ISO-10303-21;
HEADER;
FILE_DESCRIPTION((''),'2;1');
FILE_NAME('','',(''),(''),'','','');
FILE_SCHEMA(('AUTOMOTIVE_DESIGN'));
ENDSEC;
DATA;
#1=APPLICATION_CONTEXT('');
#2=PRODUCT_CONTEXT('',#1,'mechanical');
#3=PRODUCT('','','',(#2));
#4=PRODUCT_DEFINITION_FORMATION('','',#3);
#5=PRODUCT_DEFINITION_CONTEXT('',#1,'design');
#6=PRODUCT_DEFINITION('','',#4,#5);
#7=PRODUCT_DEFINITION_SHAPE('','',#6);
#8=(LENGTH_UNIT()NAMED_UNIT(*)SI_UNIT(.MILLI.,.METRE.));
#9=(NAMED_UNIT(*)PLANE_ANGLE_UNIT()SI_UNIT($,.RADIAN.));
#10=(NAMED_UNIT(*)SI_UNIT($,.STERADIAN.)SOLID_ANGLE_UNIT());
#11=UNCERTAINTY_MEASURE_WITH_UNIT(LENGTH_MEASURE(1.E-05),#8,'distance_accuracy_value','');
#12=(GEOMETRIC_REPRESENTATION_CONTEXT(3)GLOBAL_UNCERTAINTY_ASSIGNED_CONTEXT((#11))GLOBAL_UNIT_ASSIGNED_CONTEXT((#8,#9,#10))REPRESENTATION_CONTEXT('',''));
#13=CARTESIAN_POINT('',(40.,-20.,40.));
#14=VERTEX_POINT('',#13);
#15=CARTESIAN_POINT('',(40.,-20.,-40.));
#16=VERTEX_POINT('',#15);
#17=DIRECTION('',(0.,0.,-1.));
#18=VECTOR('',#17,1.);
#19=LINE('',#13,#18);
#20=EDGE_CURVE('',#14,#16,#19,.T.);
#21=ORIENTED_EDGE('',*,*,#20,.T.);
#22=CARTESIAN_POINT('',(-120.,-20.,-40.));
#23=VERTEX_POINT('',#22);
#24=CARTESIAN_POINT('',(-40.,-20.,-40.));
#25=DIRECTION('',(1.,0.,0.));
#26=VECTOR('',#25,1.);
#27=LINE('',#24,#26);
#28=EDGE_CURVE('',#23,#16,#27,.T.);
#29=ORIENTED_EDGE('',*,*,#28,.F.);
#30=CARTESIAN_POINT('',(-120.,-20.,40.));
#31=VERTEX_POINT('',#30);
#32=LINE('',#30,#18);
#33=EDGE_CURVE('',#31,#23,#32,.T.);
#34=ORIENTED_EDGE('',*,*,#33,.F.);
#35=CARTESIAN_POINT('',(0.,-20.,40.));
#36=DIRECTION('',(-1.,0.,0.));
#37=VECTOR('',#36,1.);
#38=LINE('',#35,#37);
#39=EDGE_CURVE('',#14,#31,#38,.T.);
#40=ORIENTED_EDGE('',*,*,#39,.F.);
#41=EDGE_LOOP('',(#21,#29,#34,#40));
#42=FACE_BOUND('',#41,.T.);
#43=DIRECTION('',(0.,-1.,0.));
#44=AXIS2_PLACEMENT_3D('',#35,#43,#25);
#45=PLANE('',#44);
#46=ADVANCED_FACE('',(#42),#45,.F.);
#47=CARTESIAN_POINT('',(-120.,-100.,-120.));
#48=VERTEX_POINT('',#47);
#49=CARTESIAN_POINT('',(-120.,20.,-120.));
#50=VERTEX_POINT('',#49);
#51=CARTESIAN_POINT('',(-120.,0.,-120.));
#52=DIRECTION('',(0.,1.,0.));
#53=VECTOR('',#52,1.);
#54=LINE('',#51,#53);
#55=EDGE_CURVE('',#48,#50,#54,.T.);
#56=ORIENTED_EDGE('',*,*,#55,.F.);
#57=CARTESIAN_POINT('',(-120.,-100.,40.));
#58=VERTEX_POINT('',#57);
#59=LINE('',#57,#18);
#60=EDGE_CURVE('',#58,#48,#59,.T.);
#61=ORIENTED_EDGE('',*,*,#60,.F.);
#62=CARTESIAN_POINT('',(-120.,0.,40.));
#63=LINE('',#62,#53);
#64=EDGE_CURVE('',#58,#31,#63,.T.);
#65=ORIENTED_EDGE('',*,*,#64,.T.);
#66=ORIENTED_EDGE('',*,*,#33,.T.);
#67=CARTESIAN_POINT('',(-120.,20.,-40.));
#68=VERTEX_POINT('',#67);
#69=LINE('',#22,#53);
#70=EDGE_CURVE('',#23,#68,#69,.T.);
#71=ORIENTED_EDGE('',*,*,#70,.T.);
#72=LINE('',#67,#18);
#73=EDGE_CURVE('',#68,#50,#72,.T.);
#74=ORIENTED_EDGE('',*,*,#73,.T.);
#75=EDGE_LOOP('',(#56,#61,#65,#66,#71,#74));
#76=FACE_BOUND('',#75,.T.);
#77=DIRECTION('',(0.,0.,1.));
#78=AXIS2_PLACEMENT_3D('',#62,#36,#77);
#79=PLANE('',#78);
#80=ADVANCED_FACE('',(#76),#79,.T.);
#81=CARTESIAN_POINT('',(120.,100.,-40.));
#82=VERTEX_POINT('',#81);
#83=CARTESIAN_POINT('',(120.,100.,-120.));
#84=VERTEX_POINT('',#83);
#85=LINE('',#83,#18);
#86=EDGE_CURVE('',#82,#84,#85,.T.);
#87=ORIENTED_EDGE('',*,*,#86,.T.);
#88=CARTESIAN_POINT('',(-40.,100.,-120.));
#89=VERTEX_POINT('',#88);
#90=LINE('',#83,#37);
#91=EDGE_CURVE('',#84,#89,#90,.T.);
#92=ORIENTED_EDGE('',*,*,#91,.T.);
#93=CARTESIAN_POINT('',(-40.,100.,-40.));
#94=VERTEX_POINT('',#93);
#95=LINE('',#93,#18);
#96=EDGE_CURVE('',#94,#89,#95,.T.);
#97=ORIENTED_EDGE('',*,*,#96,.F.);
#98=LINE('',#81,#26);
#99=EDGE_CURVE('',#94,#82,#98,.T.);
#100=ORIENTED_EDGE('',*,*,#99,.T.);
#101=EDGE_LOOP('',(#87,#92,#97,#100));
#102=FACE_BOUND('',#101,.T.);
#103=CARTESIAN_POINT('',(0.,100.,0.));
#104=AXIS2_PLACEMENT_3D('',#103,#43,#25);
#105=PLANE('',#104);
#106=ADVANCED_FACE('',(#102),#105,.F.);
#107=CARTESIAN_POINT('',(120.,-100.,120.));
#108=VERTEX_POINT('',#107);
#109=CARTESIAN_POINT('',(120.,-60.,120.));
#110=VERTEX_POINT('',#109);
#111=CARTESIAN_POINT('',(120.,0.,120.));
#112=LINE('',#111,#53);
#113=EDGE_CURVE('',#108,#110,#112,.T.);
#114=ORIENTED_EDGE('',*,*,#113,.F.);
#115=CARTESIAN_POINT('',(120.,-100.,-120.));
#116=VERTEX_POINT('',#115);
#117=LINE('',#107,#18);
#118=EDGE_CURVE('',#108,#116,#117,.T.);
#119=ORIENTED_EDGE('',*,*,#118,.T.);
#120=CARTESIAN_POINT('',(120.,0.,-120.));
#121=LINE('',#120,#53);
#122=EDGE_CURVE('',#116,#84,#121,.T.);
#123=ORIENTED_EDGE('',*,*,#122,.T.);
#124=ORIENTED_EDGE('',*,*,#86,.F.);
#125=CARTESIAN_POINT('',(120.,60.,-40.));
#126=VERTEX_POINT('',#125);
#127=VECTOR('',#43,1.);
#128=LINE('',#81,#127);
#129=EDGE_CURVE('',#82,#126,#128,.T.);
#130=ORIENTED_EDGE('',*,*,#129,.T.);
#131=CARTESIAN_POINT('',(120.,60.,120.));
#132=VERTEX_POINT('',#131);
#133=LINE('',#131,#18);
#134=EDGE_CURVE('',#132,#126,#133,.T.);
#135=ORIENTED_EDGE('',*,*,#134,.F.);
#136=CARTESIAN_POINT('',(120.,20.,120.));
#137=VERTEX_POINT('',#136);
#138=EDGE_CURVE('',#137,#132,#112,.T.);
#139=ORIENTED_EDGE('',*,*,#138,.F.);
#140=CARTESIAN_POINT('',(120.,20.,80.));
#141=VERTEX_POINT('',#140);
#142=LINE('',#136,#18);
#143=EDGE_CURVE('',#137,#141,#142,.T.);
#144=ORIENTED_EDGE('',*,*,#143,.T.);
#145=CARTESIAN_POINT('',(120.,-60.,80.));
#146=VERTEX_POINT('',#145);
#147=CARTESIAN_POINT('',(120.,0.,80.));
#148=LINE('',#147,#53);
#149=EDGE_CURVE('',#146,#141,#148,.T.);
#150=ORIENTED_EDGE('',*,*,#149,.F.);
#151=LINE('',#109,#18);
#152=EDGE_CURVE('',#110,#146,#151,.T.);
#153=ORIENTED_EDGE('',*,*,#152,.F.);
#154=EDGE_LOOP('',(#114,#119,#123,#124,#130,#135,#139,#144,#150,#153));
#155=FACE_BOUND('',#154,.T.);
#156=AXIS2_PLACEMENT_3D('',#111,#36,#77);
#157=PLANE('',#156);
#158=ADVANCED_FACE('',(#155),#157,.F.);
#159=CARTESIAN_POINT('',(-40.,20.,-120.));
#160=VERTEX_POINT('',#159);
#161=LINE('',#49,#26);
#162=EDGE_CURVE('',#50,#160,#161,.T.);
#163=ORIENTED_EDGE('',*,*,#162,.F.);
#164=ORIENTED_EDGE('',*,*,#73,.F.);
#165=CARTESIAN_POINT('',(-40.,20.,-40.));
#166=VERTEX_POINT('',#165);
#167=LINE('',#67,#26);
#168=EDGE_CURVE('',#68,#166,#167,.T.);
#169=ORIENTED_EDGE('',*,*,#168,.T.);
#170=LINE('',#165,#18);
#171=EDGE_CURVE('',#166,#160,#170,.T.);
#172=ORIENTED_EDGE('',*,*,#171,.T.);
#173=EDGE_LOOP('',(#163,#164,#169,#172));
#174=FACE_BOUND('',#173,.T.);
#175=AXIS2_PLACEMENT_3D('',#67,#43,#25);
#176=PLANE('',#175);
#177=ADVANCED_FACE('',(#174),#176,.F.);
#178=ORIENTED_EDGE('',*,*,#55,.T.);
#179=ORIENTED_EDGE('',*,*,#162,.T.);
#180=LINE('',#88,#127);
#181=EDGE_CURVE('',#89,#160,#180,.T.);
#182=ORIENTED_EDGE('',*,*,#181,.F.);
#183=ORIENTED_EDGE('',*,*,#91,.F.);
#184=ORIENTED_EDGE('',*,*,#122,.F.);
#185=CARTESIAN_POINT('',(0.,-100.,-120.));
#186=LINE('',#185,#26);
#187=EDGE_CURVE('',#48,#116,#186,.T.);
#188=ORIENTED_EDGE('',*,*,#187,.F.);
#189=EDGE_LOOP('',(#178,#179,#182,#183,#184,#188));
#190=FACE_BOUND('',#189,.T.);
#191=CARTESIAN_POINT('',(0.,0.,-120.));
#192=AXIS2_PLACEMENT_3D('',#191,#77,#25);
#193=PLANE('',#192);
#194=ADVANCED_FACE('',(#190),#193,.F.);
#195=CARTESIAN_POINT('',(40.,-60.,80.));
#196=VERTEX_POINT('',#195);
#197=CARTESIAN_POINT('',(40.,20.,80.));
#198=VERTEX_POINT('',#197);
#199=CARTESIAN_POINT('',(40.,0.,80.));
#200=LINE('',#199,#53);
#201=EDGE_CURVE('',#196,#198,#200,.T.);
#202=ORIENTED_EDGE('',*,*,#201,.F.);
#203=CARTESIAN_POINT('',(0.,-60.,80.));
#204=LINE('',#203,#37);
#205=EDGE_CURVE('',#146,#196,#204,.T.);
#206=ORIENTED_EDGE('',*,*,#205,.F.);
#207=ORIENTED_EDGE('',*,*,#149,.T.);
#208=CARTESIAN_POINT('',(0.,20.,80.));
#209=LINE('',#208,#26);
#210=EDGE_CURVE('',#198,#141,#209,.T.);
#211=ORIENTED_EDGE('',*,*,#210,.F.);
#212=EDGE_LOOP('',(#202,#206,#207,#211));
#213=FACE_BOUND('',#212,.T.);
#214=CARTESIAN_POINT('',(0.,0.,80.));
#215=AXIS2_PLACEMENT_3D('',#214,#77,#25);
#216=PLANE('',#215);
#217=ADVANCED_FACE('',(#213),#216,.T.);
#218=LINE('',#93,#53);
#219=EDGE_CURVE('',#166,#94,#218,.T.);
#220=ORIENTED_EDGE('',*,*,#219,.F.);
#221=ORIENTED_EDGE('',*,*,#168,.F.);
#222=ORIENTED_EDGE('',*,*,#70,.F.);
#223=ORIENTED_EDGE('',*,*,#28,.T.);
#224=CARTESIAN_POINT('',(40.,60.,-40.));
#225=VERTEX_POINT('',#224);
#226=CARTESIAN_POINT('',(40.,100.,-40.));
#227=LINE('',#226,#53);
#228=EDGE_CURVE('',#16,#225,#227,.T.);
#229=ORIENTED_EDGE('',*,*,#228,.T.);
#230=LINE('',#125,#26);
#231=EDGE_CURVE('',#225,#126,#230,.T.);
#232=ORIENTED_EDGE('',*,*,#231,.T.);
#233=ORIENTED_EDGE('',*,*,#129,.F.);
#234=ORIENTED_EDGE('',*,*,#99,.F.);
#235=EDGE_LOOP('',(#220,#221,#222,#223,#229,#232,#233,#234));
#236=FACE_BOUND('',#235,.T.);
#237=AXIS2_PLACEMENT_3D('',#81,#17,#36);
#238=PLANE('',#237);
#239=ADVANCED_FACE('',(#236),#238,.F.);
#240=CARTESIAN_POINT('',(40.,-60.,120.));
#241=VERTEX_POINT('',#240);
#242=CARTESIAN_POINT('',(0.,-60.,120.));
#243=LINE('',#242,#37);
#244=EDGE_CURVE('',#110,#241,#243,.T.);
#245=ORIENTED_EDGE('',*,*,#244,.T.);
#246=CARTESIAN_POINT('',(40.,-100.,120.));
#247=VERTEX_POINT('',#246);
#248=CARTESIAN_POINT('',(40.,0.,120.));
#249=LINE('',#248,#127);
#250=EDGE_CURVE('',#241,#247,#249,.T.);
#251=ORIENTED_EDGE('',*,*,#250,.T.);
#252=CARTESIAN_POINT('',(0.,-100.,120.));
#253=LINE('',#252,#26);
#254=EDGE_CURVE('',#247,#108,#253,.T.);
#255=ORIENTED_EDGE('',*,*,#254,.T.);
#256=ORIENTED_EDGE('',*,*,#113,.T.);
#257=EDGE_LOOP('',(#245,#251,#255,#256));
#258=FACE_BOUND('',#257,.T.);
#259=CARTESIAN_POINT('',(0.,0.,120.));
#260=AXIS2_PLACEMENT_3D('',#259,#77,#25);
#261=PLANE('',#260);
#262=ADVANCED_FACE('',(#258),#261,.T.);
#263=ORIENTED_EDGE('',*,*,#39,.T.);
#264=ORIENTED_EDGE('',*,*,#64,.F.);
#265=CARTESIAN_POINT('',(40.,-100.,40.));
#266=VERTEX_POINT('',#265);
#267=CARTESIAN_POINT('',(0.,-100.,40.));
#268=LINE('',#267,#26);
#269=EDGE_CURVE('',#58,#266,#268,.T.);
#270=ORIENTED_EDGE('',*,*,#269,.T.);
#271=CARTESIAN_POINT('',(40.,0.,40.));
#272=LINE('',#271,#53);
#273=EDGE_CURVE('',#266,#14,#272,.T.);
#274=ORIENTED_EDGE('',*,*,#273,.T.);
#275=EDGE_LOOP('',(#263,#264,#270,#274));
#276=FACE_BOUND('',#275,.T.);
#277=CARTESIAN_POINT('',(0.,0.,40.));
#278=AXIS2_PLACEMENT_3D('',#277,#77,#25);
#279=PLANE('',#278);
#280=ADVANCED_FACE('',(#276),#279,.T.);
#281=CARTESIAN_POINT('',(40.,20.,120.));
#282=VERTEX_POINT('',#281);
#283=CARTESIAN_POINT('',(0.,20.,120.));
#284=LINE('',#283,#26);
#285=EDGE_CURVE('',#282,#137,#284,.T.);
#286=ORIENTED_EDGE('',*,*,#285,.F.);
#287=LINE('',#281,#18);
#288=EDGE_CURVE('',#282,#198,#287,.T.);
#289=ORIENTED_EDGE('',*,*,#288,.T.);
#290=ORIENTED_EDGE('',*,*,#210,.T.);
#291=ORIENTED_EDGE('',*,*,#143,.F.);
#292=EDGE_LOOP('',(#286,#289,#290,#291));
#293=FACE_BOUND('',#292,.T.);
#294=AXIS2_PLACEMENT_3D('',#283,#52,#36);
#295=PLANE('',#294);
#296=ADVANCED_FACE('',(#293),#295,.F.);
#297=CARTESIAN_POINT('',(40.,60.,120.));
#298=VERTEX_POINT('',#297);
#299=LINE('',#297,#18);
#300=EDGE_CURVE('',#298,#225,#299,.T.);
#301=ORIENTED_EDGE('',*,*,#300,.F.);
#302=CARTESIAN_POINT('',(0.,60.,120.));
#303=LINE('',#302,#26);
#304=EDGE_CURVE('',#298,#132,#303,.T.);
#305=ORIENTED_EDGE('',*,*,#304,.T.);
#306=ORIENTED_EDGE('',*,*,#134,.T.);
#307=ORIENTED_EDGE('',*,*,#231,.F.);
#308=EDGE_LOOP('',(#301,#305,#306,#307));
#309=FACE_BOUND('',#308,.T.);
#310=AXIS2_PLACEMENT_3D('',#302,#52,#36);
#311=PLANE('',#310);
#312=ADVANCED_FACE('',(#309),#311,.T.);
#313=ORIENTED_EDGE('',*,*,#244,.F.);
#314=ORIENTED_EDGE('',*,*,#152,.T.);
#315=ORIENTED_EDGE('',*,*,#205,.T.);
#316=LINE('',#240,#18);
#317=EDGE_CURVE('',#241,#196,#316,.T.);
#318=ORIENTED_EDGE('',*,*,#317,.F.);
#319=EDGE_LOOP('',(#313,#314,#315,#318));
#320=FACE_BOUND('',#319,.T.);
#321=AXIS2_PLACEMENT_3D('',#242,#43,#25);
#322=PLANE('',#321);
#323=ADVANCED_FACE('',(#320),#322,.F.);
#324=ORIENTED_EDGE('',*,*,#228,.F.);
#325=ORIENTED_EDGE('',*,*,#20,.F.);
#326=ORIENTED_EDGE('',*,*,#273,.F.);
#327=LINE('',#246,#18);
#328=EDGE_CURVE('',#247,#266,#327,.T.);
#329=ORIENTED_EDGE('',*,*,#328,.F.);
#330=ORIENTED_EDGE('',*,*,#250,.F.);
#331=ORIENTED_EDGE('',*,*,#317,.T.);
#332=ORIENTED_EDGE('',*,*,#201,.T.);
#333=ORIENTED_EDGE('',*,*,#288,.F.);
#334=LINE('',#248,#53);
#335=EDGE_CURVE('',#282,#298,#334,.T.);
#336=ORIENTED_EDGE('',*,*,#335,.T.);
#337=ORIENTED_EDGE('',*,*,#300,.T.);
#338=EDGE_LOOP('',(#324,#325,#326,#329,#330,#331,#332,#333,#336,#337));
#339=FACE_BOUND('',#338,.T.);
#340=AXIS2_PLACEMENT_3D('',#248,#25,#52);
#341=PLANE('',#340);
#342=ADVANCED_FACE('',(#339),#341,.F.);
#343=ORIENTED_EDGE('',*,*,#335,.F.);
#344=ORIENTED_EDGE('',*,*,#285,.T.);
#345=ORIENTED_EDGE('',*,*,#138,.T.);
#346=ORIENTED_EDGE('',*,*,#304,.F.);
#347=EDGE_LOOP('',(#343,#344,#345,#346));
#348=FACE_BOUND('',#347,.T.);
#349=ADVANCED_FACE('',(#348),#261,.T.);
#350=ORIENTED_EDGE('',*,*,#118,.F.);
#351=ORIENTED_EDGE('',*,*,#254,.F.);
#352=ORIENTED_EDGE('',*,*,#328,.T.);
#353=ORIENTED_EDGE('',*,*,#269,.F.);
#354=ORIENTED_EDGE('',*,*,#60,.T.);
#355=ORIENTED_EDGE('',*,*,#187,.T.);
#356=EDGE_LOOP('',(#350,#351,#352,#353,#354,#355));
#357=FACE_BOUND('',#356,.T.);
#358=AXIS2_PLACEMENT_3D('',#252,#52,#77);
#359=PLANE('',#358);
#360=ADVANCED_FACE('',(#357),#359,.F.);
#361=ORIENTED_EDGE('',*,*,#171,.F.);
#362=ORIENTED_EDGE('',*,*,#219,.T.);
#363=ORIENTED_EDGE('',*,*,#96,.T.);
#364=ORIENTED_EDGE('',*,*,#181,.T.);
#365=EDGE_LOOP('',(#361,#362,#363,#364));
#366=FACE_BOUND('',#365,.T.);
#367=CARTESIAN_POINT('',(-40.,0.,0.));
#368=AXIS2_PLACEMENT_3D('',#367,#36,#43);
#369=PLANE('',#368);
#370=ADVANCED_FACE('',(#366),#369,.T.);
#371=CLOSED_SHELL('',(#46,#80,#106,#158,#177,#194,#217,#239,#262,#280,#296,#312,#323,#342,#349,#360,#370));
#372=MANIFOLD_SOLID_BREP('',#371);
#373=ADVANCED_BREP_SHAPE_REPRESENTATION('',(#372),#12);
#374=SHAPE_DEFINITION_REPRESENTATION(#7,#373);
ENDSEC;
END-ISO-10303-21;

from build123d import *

# Parameters (mm, degrees)
SKETCH1_W            = 80
SKETCH1_H            = 40
BOSS_EXTRUDE1_DEPTH  = 120
BOSS_EXTRUDE2_DEPTH  = 40
BOSS_EXTRUDE3_DEPTH  = 80
SKETCH1_5_W          = 80
SKETCH1_5_H          = 40
BOSS_EXTRUDE4_DEPTH  = 120
SKETCH1_6_W          = 80
SKETCH1_6_H          = 40
BOSS_EXTRUDE5_DEPTH  = 120
BOSS_EXTRUDE6_DEPTH  = 120
SKETCH1_8_W          = 80
SKETCH1_8_H          = 40
BOSS_EXTRUDE7_DEPTH  = 120
BOSS_EXTRUDE8_DEPTH  = 120
SKETCH2_W            = 80
SKETCH2_H            = 80
BOSS_EXTRUDE9_DEPTH  = 40
SKETCH3_W            = 80
SKETCH3_H            = 120
BOSS_EXTRUDE10_DEPTH = 80
SKETCH4_W            = 80
SKETCH4_H            = 40
BOSS_EXTRUDE11_DEPTH = 80


with BuildPart() as part:
    # Sketch1 → Boss-Extrude1 (new body)
    with BuildSketch(Plane.XY):
        with Locations((80, -80)):
            Rectangle(SKETCH1_W, SKETCH1_H)
    extrude(amount=BOSS_EXTRUDE1_DEPTH)

    # Sketch1<3> → Boss-Extrude2 (add)
    with BuildSketch(Plane.XY):
        Polygon((40, -100), (40, -60), (40, -20), (-120, -20), (-120, -100), align=None)
    extrude(amount=BOSS_EXTRUDE2_DEPTH)

    # Sketch1<4> → Boss-Extrude3 (add)
    with BuildSketch(Plane.XY):
        Polygon((40, -60), (120, -60), (120, 20), (40, 20), (40, -20), align=None)
    extrude(amount=BOSS_EXTRUDE3_DEPTH)

    # Sketch1<5> → Boss-Extrude4 (add)
    with BuildSketch(Plane.XY):
        with Locations((80, 40)):
            Rectangle(SKETCH1_5_W, SKETCH1_5_H)
    extrude(amount=BOSS_EXTRUDE4_DEPTH)

    # Sketch1<6> → Boss-Extrude5 (add)
    with BuildSketch(Plane.XY):
        with Locations((80, 40)):
            Rectangle(SKETCH1_6_W, SKETCH1_6_H)
    extrude(amount=-BOSS_EXTRUDE5_DEPTH)

    # Sketch1<7> → Boss-Extrude6 (add)
    with BuildSketch(Plane.XY):
        Polygon((40, -60), (120, -60), (120, 20), (40, 20), (40, -20), align=None)
    extrude(amount=-BOSS_EXTRUDE6_DEPTH)

    # Sketch1<8> → Boss-Extrude7 (add)
    with BuildSketch(Plane.XY):
        with Locations((80, -80)):
            Rectangle(SKETCH1_8_W, SKETCH1_8_H)
    extrude(amount=-BOSS_EXTRUDE7_DEPTH)

    # Sketch1<9> → Boss-Extrude8 (add)
    with BuildSketch(Plane.XY):
        Polygon((40, -100), (40, -60), (40, -20), (-120, -20), (-120, -100), align=None)
    extrude(amount=-BOSS_EXTRUDE8_DEPTH)

    # Sketch2 → Boss-Extrude9 (add)
    with BuildSketch(Plane(origin=(0, 60, 0), x_dir=(1, 0, 0), z_dir=(0, 1, 0))):
        with Locations((80, 80)):
            Rectangle(SKETCH2_W, SKETCH2_H)
    extrude(amount=BOSS_EXTRUDE9_DEPTH)

    # Sketch3 → Boss-Extrude10 (add)
    with BuildSketch(Plane.ZY.offset(-40)):
        with Locations((-80, 40)):
            Rectangle(SKETCH3_W, SKETCH3_H)
    extrude(amount=BOSS_EXTRUDE10_DEPTH)

    # Sketch4 → Boss-Extrude11 (add)
    with BuildSketch(Plane.ZY.offset(40)):
        with Locations((-80, 0)):
            Rectangle(SKETCH4_W, SKETCH4_H)
    extrude(amount=BOSS_EXTRUDE11_DEPTH)


solid = part.part
